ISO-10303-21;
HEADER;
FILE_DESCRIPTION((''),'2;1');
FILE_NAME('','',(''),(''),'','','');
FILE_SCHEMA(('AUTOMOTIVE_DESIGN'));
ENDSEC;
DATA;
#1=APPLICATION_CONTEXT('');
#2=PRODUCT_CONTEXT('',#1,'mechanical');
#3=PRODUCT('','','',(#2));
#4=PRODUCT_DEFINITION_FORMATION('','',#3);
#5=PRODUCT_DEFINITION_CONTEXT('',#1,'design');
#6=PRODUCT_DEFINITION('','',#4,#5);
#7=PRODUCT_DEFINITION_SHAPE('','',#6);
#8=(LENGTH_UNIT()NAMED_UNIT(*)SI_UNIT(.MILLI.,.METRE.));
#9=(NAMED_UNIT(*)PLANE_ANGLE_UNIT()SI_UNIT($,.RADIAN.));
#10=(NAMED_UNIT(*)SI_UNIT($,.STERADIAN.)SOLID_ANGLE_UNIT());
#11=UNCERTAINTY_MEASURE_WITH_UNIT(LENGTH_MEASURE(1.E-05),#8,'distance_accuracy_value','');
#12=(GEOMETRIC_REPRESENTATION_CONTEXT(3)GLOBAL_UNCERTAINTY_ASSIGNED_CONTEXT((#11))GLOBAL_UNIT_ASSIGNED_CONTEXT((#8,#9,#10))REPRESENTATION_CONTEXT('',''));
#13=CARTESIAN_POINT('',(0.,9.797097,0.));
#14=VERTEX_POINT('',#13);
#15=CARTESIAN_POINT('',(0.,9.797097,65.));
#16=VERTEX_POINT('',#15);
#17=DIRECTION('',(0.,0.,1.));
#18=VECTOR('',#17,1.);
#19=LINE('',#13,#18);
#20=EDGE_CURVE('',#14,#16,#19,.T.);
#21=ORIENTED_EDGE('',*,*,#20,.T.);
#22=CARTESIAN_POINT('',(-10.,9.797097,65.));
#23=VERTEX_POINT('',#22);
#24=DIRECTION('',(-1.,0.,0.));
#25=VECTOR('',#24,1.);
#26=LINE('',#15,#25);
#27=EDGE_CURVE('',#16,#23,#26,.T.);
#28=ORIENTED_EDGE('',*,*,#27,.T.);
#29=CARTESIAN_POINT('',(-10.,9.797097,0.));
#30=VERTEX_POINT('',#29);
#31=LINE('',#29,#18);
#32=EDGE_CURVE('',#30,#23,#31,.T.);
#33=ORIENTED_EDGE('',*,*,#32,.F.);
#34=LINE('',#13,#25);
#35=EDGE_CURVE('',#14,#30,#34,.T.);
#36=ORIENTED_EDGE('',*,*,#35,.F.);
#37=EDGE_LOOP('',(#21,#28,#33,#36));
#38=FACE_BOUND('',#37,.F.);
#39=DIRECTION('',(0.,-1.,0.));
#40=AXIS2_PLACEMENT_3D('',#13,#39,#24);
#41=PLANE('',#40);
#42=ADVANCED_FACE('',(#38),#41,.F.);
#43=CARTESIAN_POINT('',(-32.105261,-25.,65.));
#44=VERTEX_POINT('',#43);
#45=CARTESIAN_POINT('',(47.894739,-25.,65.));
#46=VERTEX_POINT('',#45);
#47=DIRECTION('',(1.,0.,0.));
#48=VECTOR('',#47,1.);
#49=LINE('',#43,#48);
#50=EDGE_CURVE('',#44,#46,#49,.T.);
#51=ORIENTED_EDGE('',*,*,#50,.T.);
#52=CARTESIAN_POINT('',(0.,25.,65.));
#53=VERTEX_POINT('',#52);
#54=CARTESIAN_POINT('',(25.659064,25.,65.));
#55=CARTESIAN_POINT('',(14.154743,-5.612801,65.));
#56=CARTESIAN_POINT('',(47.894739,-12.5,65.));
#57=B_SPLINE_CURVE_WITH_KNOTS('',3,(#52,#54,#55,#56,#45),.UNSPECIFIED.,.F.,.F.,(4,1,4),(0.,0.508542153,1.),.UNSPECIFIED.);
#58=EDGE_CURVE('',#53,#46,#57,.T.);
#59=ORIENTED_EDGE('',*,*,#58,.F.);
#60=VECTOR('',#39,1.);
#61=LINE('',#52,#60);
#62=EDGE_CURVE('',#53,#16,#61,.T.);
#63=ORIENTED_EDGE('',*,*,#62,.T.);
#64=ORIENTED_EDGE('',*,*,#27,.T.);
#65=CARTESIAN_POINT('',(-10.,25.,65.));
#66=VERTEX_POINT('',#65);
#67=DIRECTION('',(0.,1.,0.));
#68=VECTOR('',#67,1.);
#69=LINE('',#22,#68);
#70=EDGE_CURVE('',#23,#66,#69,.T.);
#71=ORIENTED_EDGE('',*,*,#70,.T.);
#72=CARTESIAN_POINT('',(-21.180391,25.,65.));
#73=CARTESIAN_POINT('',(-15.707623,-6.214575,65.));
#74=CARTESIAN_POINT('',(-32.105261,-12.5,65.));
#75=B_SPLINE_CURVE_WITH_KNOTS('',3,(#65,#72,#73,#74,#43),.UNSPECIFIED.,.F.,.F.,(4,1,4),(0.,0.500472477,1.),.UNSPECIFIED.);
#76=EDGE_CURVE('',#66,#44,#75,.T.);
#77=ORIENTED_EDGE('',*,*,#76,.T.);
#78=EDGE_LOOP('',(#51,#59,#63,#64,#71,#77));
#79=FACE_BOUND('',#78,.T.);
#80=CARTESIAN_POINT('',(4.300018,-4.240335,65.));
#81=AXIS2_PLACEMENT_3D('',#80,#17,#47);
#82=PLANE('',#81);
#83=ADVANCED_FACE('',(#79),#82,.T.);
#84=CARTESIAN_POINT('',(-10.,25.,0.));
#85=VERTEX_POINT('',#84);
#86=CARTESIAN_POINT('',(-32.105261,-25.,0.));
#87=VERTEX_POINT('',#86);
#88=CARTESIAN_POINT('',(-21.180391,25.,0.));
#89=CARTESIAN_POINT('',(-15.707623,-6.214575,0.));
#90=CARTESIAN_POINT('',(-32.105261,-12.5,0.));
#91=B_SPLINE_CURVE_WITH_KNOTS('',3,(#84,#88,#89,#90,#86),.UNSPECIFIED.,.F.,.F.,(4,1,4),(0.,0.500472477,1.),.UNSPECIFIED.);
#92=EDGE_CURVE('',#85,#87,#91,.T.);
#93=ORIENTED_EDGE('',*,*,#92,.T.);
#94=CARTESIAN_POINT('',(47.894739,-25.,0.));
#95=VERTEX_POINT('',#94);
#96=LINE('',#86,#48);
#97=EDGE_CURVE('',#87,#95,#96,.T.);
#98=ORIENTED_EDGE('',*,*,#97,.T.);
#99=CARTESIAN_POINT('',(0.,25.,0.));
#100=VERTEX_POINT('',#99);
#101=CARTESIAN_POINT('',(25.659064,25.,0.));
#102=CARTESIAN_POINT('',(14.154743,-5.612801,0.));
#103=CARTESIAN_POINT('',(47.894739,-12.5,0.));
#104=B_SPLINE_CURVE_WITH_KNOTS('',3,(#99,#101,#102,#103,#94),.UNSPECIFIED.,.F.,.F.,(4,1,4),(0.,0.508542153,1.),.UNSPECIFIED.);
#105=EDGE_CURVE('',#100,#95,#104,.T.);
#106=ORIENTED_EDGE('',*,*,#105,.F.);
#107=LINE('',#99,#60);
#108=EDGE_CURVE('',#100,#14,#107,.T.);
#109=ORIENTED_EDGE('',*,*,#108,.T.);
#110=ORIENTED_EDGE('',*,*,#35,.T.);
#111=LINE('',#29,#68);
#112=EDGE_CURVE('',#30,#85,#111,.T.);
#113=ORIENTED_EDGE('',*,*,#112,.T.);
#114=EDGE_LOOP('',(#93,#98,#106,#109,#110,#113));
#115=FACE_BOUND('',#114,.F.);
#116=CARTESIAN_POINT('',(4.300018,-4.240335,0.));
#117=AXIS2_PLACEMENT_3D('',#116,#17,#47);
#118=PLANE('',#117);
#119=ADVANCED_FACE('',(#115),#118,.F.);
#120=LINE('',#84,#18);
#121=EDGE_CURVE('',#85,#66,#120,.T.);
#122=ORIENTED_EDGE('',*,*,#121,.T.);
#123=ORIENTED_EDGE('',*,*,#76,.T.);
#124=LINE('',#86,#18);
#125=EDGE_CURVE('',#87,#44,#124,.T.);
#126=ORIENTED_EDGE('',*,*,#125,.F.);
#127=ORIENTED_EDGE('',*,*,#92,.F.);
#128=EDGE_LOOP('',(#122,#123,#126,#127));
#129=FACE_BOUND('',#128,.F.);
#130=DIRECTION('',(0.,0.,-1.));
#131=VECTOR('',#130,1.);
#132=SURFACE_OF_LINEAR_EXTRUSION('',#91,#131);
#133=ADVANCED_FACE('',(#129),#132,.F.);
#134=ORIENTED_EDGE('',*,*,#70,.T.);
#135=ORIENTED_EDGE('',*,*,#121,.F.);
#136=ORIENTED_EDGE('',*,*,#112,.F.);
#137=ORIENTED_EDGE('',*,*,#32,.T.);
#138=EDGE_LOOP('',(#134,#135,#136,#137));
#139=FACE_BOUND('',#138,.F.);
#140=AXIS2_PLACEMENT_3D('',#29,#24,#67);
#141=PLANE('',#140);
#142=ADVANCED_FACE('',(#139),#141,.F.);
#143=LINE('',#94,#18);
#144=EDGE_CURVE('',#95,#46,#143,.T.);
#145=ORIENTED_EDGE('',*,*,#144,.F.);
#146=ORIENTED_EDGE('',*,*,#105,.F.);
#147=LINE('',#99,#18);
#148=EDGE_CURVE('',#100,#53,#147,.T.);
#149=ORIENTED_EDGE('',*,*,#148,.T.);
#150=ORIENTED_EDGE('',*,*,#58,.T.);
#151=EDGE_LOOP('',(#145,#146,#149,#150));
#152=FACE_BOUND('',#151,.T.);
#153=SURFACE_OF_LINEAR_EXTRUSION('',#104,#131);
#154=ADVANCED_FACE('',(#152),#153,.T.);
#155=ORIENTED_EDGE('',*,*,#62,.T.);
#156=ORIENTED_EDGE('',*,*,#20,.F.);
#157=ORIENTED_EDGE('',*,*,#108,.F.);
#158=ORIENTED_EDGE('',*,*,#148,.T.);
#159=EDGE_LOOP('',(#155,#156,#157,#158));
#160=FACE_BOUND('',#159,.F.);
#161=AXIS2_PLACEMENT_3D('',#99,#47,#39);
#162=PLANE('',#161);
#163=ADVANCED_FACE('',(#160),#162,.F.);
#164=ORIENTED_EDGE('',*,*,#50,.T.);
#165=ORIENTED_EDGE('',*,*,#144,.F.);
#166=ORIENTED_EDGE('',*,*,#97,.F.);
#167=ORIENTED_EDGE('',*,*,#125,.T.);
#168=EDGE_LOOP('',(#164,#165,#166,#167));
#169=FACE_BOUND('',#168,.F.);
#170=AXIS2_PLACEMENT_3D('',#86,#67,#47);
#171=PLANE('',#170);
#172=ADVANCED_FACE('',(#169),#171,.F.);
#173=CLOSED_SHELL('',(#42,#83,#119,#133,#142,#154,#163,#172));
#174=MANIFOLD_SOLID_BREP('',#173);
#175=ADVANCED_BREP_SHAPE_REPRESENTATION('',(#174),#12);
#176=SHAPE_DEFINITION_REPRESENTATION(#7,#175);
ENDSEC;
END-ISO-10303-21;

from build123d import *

# Parameters (mm, degrees)
F1_DEPTH = 65


with BuildPart() as f1:
    # F0 (on Top) → F1 (new body)
    with BuildSketch(Plane.XY):
        with BuildLine():
            Line((-32.1052614199, -25), (0, -25))
            Line((0, -25), (47.8947385801, -25))
            add(Edge.make_bspline(
                [(0, 25), (25.659063831, 25), (14.1547425884, -5.6128009824), (47.8947385801, -12.5), (47.8947385801, -25)],
                knots=[0, 0, 0, 0, 0.5085421527, 1, 1, 1, 1], degree=3))
            Line((0, 25), (0, 9.7970971838))
            Line((0, 9.7970971838), (-10, 9.7970971838))
            Line((-10, 9.7970971838), (-10, 25))
            add(Edge.make_bspline(
                [(-10, 25), (-21.1803913116, 25), (-15.7076229836, -6.2145753219), (-32.1052614199, -12.5), (-32.1052614199, -25)],
                knots=[0, 0, 0, 0, 0.5004724774, 1, 1, 1, 1], degree=3))
        make_face()
    extrude(amount=F1_DEPTH)


solid = f1.part
